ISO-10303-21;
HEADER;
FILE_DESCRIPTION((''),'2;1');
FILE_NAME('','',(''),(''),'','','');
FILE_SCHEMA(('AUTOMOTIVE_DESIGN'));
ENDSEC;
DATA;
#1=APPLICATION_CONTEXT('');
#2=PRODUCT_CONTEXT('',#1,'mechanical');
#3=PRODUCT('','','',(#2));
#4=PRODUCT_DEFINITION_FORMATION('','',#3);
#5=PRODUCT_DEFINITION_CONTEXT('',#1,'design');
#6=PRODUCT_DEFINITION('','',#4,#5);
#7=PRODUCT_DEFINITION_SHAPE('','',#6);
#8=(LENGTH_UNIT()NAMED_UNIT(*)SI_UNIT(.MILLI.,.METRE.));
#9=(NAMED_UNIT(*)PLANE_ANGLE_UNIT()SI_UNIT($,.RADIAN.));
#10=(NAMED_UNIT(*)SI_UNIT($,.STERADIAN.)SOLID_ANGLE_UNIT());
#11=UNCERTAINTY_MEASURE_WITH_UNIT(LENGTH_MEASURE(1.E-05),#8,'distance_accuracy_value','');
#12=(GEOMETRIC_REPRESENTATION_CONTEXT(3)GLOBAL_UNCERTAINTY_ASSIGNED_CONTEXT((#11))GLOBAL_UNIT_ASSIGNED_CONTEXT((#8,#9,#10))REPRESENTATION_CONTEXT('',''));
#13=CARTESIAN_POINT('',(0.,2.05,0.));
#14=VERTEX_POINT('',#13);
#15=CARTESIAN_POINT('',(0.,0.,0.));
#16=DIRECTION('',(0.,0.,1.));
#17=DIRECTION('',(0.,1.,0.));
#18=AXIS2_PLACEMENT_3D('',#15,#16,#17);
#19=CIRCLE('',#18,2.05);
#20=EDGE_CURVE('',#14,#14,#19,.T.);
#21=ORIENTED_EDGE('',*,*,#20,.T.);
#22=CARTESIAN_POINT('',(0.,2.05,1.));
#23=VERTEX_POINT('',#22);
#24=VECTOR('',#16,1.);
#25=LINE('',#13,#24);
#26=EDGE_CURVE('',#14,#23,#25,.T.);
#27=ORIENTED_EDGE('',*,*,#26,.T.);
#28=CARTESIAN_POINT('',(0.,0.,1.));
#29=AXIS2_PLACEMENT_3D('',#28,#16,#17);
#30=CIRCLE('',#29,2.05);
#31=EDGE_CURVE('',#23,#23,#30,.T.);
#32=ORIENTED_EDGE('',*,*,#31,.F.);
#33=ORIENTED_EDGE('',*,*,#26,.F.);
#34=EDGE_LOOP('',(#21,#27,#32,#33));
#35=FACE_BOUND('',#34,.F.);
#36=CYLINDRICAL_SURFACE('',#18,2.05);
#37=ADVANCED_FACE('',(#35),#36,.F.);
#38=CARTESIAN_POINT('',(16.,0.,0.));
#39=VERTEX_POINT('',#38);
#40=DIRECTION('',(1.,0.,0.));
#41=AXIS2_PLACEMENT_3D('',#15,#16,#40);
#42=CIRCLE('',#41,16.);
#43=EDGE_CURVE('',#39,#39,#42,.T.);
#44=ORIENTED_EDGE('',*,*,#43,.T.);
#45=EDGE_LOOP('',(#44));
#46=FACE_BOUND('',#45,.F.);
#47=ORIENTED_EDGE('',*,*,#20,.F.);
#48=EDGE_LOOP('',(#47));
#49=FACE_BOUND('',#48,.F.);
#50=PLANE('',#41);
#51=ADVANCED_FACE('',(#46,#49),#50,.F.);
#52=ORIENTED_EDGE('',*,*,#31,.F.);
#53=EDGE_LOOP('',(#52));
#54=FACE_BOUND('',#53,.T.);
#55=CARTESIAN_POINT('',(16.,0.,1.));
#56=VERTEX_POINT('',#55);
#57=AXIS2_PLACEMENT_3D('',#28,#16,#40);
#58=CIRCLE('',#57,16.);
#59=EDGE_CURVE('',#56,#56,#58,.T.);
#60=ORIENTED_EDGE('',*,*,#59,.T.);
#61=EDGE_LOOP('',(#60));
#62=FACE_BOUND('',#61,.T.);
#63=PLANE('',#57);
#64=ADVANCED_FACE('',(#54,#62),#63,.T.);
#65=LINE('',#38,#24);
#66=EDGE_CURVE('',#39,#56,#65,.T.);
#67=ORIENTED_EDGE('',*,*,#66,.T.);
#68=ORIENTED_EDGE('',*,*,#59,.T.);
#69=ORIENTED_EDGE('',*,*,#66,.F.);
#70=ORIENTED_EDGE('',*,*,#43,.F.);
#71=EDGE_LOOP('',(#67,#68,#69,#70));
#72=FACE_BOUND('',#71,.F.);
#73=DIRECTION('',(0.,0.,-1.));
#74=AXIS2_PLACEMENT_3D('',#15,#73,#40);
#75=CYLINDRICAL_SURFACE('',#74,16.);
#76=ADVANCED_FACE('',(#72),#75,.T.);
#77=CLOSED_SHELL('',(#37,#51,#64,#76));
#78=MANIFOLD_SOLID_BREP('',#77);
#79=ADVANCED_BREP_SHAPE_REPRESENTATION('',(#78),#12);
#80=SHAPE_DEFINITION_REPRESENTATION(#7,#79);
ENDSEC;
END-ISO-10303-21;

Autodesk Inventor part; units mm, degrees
ref_plane "YZ Plane" through (0, 0, 0) normal (1, 0, 0) x (0, 1, 0)
ref_plane "XZ Plane" through (0, 0, 0) normal (0, 1, 0) x (-1, 0, 0)
ref_plane "XY Plane" through (0, 0, 0) normal (0, 0, 1) x (1, 0, 0)
sketch "Sketch1" plane through (0, 0, 0) normal (0, 0, 1) x (1, 0, 0)
  circle A0 centre (0, 0) radius 16
  dimension "d0" = 32
extrude "Extrusion1" add sketch "Sketch1" along normal blind 1
hole "Hole1" at (0, 0, 0) direction (0, 0, 1) diameter 4.1 end through all
properties part number "skirt-base" material "Stainless Steel"
